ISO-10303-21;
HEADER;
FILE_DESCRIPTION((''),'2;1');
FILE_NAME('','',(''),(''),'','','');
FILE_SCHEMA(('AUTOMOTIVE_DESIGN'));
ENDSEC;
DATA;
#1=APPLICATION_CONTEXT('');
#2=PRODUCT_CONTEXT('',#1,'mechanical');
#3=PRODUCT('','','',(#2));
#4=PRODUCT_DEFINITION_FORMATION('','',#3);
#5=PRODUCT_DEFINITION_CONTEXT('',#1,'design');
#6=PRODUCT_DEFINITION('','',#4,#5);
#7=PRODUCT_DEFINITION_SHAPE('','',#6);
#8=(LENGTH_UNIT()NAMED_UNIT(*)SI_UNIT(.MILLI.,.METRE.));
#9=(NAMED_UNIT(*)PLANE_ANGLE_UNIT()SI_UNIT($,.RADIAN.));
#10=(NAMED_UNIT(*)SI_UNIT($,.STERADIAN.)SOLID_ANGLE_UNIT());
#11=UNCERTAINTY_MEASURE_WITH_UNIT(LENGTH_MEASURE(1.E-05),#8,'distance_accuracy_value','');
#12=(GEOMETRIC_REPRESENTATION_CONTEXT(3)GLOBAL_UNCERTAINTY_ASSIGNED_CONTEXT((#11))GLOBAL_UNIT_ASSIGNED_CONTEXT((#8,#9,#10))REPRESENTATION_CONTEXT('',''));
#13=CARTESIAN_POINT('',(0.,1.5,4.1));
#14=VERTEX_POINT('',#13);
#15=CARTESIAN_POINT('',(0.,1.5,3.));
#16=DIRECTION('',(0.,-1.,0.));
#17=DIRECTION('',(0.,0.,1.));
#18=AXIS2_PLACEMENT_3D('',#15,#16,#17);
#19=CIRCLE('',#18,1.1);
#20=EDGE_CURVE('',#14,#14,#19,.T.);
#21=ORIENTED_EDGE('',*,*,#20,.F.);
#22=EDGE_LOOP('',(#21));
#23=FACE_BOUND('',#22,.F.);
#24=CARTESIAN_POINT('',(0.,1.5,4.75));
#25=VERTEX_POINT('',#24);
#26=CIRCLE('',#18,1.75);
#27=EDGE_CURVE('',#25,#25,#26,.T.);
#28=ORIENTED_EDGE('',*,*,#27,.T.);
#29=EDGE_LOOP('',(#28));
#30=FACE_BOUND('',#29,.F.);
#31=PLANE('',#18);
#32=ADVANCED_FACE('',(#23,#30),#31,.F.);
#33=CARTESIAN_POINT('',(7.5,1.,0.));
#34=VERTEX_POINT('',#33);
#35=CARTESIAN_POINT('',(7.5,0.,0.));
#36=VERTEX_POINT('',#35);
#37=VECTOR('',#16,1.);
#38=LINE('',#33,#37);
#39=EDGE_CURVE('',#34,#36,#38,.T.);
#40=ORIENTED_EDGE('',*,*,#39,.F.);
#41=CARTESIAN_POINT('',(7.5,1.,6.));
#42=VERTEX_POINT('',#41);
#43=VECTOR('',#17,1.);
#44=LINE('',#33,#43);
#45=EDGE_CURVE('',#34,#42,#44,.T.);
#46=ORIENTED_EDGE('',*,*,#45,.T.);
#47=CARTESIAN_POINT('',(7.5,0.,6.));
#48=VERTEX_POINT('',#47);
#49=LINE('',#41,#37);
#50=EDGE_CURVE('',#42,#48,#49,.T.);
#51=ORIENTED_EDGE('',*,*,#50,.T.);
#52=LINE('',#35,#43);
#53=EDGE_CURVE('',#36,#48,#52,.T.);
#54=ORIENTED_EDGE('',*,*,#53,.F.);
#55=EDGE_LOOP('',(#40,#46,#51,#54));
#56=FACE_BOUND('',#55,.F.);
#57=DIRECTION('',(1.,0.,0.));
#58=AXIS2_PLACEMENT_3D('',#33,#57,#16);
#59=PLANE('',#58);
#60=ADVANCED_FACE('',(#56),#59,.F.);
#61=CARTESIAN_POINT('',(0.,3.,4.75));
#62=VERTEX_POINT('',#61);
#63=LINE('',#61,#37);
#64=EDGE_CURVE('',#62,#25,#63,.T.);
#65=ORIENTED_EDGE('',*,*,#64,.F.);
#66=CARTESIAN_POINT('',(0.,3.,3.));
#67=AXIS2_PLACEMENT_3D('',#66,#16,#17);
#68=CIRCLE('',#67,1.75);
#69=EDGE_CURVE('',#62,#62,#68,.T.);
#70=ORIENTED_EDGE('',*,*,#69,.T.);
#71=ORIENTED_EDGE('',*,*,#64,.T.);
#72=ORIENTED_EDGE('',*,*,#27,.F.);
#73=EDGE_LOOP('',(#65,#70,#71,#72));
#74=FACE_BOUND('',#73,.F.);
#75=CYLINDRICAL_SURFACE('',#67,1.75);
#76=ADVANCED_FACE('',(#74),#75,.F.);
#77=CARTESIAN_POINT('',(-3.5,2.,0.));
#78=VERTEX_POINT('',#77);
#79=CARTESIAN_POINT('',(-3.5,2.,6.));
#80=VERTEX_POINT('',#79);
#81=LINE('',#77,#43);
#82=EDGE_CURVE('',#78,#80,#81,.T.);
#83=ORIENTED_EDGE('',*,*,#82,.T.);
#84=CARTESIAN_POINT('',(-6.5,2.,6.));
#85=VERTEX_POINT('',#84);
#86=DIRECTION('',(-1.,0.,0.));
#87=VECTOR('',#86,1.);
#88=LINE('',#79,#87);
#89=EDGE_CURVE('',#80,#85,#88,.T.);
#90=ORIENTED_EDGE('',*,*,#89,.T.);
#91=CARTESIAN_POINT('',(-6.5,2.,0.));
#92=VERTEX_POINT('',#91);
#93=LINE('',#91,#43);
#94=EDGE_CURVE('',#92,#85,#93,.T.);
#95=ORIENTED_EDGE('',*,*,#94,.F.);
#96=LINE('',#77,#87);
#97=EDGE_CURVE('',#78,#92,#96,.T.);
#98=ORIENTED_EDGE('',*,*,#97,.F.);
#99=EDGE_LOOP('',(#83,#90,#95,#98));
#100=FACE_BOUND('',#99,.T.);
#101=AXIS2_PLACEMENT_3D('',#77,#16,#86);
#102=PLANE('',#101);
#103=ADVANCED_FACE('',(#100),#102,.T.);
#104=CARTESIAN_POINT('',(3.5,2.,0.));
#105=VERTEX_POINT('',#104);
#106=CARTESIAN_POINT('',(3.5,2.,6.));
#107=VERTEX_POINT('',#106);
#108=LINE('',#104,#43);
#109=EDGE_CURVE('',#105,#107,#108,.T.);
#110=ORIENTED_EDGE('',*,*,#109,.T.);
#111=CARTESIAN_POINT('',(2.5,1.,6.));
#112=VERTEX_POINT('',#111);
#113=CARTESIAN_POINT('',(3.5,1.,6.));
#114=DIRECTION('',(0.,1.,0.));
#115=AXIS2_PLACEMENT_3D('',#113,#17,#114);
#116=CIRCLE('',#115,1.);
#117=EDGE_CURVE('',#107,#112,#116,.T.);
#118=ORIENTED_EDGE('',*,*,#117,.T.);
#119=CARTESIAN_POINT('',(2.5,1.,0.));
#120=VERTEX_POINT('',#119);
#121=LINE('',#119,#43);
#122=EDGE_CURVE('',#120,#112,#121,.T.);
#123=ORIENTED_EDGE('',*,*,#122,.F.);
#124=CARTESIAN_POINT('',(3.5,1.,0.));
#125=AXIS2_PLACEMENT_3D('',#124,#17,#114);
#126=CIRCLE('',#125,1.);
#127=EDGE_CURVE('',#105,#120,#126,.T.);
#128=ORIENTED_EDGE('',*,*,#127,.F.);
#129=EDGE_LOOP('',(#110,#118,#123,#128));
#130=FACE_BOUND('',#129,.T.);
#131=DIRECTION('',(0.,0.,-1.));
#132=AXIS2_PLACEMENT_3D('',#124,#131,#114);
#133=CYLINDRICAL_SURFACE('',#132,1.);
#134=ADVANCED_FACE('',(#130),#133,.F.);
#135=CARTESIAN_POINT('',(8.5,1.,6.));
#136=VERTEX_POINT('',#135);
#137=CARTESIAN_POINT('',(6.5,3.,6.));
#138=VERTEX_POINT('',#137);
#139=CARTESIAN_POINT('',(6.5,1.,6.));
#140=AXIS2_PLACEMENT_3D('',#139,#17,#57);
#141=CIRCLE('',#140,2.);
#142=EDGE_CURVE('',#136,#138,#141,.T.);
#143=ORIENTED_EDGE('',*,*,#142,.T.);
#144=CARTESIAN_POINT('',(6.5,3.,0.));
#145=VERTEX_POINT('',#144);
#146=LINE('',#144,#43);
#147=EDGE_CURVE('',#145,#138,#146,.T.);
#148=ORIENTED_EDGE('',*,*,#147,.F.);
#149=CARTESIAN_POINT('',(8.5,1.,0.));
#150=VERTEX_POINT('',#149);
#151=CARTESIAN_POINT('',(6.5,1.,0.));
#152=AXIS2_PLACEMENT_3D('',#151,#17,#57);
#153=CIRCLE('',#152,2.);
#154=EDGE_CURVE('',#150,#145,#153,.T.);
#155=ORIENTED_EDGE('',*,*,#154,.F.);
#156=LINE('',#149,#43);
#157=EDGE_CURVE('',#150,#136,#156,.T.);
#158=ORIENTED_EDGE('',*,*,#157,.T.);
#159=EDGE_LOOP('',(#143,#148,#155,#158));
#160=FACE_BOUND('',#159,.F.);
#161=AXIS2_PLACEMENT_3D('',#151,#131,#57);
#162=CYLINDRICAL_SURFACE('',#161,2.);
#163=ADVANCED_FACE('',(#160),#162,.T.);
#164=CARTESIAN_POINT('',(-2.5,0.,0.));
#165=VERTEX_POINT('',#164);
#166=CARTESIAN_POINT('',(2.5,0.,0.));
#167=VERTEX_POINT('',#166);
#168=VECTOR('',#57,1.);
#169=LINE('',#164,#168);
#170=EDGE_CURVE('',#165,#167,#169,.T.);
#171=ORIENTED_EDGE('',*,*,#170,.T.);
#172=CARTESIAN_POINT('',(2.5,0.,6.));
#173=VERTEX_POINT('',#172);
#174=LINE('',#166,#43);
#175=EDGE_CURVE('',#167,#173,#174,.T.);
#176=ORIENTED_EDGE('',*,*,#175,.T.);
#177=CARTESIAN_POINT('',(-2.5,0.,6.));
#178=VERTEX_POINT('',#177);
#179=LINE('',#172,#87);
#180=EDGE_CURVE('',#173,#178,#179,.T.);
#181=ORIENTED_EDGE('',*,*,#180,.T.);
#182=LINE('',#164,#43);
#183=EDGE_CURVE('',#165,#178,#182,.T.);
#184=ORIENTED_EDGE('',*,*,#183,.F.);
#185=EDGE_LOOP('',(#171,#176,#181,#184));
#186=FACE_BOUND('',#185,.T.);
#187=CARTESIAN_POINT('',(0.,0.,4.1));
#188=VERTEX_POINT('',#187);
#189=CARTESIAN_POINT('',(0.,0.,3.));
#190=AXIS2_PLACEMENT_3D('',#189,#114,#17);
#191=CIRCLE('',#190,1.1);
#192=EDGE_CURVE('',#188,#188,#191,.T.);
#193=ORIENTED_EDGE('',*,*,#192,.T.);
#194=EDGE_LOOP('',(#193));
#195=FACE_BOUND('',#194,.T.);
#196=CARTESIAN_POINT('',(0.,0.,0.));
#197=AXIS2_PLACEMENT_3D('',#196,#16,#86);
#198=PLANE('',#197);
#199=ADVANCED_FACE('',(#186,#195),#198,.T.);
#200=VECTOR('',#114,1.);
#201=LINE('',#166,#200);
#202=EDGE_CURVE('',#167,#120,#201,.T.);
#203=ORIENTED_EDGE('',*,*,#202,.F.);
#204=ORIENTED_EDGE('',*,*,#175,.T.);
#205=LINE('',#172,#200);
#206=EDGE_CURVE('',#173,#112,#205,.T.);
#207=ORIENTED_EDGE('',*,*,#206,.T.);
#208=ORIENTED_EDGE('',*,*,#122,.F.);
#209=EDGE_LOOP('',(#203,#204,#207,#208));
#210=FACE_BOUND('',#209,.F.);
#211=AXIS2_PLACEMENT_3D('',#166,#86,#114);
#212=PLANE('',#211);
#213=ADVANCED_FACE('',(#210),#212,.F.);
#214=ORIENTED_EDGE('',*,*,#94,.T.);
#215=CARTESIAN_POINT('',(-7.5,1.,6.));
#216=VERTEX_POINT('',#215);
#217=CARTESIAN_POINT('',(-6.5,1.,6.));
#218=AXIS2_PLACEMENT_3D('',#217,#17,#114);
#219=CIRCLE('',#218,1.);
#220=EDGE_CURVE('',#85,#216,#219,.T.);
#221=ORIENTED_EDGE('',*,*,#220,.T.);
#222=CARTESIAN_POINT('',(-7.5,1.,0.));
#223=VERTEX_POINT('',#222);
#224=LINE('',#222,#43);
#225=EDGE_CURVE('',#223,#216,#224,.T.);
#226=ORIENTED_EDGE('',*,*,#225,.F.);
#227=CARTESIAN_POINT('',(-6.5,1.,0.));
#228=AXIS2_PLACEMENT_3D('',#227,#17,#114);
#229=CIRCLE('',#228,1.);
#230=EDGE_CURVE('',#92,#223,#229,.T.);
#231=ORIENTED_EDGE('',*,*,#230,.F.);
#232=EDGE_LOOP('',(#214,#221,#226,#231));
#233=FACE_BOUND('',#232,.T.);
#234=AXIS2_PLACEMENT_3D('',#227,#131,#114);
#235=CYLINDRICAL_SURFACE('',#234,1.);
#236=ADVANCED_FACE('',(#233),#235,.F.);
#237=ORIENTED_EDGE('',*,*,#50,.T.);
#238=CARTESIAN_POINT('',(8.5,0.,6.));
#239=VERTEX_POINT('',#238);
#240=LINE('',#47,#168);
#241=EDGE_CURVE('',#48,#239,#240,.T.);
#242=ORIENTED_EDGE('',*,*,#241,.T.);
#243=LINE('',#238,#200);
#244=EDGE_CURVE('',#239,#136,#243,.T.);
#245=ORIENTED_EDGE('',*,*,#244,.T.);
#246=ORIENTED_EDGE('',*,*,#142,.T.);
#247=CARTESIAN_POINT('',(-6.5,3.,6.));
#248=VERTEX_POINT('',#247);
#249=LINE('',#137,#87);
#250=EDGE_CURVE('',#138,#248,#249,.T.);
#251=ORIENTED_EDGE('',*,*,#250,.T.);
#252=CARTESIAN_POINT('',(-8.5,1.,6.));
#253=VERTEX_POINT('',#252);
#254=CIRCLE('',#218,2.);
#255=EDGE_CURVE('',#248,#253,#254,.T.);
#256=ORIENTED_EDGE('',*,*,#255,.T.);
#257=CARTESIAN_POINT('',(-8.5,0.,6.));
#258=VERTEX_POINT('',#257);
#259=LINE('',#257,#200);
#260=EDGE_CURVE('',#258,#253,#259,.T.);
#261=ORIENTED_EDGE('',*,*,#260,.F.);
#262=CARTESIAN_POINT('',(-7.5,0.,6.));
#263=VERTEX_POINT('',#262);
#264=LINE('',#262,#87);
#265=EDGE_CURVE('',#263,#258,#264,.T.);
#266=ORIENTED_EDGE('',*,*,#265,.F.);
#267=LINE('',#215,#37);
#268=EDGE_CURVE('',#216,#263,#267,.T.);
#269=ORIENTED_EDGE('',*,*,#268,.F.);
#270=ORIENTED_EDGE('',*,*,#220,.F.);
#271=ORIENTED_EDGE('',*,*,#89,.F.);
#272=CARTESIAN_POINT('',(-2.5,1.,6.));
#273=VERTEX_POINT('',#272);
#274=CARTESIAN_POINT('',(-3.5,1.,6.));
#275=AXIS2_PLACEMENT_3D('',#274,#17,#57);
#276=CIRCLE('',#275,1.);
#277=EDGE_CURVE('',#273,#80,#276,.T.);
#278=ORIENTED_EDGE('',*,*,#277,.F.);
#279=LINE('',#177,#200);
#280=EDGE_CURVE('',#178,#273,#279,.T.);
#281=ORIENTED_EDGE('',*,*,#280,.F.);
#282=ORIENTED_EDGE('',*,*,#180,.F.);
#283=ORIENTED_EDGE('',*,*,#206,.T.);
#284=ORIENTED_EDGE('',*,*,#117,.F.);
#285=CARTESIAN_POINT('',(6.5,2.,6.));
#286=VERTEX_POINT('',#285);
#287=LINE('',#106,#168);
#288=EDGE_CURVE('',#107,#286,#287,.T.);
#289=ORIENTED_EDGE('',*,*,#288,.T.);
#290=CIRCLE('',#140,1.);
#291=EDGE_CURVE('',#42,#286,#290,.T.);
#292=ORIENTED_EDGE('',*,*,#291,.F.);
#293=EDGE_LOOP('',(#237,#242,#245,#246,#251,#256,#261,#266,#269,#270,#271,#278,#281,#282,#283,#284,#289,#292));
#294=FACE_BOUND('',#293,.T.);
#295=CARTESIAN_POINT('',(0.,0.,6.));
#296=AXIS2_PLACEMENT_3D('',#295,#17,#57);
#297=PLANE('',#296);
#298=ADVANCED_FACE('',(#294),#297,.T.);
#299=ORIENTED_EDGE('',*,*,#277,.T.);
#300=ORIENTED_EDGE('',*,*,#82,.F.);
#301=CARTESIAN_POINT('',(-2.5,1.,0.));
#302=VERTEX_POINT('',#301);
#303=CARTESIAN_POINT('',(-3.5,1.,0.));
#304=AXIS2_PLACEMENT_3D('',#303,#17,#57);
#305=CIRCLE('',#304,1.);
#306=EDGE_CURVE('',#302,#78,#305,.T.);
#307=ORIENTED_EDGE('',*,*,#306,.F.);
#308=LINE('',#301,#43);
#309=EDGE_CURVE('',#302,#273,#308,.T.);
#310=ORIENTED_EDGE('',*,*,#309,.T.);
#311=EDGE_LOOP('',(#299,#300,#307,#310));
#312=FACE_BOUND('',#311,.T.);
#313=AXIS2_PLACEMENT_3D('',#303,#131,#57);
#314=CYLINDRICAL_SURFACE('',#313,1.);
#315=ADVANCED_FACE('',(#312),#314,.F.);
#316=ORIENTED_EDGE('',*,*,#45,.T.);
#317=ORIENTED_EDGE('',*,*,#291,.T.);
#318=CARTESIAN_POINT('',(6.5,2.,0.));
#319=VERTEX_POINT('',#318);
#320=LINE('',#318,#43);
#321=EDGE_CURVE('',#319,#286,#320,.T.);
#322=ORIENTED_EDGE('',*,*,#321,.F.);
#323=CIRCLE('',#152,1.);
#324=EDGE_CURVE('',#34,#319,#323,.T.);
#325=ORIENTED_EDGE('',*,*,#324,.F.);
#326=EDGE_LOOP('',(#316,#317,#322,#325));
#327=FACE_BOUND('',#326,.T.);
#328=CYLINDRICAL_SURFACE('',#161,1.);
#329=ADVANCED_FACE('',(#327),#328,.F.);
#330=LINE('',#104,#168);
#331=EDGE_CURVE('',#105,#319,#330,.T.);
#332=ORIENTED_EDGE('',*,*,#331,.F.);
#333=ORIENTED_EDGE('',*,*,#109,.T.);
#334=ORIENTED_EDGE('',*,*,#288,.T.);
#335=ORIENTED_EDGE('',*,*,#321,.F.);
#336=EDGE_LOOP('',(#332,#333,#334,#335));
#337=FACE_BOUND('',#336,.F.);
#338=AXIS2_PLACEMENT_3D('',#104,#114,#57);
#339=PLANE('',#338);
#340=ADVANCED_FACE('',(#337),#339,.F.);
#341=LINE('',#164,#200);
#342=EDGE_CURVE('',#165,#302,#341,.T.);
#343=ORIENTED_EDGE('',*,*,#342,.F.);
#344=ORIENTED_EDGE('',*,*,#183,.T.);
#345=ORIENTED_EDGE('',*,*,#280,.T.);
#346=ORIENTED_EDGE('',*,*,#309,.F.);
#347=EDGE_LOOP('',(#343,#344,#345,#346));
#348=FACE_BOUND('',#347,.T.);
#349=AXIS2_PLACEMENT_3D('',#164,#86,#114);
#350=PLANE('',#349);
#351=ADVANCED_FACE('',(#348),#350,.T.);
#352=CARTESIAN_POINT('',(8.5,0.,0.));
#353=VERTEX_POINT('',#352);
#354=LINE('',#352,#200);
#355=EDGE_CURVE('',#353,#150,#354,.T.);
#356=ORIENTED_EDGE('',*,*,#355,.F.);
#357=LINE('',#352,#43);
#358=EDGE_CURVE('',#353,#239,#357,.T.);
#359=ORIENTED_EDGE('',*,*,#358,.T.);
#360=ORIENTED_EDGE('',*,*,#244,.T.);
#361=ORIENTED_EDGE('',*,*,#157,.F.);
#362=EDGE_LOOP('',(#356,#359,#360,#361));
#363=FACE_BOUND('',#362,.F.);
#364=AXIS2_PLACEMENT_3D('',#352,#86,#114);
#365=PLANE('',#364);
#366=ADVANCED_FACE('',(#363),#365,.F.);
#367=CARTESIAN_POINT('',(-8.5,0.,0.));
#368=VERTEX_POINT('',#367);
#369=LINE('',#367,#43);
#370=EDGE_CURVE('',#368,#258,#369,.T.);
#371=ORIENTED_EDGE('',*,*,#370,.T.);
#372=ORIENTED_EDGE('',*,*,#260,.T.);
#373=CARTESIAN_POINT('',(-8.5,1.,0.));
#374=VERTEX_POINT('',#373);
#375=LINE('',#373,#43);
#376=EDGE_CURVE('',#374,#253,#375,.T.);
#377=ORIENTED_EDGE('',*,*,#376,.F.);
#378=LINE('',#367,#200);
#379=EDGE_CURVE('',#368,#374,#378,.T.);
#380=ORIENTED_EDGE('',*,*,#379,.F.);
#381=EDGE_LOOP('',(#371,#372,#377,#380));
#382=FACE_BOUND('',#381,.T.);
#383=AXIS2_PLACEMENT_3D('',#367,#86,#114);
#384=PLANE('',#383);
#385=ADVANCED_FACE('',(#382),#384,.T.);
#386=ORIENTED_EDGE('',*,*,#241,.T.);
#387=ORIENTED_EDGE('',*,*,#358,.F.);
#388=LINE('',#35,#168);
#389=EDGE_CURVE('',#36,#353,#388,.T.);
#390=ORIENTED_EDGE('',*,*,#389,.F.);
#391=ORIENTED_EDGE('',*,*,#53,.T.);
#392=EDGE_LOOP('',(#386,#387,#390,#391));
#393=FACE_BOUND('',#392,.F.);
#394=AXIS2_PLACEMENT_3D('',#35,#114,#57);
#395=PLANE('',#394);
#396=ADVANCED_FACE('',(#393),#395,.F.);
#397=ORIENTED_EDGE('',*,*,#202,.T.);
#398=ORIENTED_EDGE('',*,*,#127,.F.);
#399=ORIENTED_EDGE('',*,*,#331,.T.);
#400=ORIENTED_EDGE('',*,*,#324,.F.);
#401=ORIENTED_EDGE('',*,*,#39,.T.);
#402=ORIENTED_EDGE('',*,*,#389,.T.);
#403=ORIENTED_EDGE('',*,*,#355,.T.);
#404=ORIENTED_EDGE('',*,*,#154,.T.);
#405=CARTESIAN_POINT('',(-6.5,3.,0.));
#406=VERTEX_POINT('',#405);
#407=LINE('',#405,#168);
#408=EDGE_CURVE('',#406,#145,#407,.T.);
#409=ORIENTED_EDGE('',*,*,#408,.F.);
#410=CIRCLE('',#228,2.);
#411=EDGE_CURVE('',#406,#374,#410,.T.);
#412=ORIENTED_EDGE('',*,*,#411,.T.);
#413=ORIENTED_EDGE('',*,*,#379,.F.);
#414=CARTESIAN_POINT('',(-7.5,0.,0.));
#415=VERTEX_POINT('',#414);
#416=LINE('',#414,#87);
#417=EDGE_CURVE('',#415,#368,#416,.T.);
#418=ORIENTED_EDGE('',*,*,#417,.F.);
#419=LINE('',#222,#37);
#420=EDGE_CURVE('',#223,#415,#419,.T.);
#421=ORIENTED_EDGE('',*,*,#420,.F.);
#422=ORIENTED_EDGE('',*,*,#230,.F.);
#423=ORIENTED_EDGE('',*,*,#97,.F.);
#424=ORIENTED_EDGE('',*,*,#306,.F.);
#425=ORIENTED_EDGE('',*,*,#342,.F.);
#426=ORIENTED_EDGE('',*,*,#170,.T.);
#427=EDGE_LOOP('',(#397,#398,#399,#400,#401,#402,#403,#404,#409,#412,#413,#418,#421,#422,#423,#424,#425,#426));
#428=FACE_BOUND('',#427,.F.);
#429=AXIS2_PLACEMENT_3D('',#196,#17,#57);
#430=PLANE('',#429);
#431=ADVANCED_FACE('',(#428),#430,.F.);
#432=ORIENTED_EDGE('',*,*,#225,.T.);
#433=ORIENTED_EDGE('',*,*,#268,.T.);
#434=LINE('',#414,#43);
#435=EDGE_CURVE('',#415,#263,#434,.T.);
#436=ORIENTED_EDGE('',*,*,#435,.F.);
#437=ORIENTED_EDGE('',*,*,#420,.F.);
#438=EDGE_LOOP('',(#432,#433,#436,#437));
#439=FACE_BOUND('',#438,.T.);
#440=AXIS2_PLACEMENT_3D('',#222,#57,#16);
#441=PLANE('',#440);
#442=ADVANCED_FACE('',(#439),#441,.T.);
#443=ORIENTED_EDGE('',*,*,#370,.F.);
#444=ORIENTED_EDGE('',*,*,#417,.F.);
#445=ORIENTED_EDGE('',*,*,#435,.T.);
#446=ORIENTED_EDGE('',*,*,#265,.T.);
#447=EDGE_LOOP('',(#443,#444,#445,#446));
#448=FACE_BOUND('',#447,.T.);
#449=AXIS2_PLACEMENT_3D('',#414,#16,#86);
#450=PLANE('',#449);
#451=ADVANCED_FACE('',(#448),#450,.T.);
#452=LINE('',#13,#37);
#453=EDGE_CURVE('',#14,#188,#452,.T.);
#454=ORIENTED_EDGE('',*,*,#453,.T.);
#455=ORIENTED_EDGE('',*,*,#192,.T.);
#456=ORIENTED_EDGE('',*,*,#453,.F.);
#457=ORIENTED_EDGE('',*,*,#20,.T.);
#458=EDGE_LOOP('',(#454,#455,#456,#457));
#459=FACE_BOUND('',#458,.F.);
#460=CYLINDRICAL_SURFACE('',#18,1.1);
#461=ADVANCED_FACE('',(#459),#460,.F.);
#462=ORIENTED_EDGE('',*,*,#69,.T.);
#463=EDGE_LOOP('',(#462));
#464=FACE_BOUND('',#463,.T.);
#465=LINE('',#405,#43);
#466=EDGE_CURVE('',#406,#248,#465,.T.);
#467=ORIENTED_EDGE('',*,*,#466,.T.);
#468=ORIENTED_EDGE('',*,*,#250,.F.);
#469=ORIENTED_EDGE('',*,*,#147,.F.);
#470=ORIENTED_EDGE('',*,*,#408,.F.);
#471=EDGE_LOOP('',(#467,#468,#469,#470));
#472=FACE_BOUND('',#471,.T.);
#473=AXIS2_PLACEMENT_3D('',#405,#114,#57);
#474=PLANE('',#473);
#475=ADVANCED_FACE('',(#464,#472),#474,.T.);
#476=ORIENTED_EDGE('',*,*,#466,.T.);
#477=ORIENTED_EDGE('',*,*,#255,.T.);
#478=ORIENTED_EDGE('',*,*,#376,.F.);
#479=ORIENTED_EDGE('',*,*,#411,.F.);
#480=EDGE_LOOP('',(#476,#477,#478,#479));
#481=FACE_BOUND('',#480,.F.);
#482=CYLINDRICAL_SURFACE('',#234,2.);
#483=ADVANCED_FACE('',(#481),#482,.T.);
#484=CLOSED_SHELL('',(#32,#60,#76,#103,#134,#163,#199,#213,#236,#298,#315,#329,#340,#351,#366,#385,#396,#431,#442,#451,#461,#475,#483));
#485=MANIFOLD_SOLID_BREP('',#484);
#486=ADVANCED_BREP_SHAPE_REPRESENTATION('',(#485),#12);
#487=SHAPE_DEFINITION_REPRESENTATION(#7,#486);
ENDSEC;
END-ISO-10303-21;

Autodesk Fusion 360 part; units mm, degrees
sketch "Sketch1" plane through (0, 0, 0) normal (0, 0, 1) x (1, 0, 0)
  line L0 (-2.5, 0) -> (-2.5, 1)
  line L1 (-3.5, 2) -> (-6.5, 2)
  line L2 (-7.5, 1) -> (-7.5, 0)
  line L3 (0, 0) -> (-2.5, 0)
  line L4 (-7.5, 0) -> (-8.5, 0)
  line L5 (-8.5, 0) -> (-8.5, 1)
  line L6 (-6.5, 3) -> (0, 3)
  arc A0 (-6.5, 2) -> (-7.5, 1) centre (-6.5, 1) ccw
  arc A1 (-2.5, 1) -> (-3.5, 2) centre (-3.5, 1) ccw
  arc A2 (-6.5, 3) -> (-8.5, 1) centre (-6.5, 1) ccw
  line L7 (0, 0) -> (0, 3) construction
  line L8 (0, 0) -> (2.5, 0)
  line L9 (2.5, 0) -> (2.5, 1)
  arc A3 (3.5, 2) -> (2.5, 1) centre (3.5, 1) ccw
  line L10 (3.5, 2) -> (6.5, 2)
  arc A4 (7.5, 1) -> (6.5, 2) centre (6.5, 1) ccw
  line L11 (7.5, 1) -> (7.5, 0)
  line L12 (7.5, 0) -> (8.5, 0)
  line L13 (8.5, 0) -> (8.5, 1)
  arc A5 (8.5, 1) -> (6.5, 3) centre (6.5, 1) ccw
  line L14 (6.5, 3) -> (0, 3)
  dimension "d1" = 1
  dimension "d2" = 2
  dimension "d3" = 5
  dimension "d4" = 1
  dimension "d5" = 1
  dimension "d8" = 5
extrude "Extrude1" add sketch "Sketch1" along normal blind 6
sketch "Sketch4" plane through (0, 3, 0) normal (0, 1, 0) x (-1, 0, 0)
  line L0 (-6.5, 0) -> (6.5, 0) construction
  line L1 (6.5, 0) -> (6.5, 6) construction
  line L2 (6.5, 6) -> (-6.5, 6) construction
  line L3 (-6.5, 6) -> (-6.5, 0) construction
  line L4 (-6.5, 6) -> (6.5, 0) construction
  circle A0 centre (0, 3) radius 1.75
  dimension "d11" = 3.5
hole "Hole1" at (0, 3, 3) direction (0, -1, 0) diameter 2.2 end through all counterbore diameter 3.5 counterbore depth 1.5
